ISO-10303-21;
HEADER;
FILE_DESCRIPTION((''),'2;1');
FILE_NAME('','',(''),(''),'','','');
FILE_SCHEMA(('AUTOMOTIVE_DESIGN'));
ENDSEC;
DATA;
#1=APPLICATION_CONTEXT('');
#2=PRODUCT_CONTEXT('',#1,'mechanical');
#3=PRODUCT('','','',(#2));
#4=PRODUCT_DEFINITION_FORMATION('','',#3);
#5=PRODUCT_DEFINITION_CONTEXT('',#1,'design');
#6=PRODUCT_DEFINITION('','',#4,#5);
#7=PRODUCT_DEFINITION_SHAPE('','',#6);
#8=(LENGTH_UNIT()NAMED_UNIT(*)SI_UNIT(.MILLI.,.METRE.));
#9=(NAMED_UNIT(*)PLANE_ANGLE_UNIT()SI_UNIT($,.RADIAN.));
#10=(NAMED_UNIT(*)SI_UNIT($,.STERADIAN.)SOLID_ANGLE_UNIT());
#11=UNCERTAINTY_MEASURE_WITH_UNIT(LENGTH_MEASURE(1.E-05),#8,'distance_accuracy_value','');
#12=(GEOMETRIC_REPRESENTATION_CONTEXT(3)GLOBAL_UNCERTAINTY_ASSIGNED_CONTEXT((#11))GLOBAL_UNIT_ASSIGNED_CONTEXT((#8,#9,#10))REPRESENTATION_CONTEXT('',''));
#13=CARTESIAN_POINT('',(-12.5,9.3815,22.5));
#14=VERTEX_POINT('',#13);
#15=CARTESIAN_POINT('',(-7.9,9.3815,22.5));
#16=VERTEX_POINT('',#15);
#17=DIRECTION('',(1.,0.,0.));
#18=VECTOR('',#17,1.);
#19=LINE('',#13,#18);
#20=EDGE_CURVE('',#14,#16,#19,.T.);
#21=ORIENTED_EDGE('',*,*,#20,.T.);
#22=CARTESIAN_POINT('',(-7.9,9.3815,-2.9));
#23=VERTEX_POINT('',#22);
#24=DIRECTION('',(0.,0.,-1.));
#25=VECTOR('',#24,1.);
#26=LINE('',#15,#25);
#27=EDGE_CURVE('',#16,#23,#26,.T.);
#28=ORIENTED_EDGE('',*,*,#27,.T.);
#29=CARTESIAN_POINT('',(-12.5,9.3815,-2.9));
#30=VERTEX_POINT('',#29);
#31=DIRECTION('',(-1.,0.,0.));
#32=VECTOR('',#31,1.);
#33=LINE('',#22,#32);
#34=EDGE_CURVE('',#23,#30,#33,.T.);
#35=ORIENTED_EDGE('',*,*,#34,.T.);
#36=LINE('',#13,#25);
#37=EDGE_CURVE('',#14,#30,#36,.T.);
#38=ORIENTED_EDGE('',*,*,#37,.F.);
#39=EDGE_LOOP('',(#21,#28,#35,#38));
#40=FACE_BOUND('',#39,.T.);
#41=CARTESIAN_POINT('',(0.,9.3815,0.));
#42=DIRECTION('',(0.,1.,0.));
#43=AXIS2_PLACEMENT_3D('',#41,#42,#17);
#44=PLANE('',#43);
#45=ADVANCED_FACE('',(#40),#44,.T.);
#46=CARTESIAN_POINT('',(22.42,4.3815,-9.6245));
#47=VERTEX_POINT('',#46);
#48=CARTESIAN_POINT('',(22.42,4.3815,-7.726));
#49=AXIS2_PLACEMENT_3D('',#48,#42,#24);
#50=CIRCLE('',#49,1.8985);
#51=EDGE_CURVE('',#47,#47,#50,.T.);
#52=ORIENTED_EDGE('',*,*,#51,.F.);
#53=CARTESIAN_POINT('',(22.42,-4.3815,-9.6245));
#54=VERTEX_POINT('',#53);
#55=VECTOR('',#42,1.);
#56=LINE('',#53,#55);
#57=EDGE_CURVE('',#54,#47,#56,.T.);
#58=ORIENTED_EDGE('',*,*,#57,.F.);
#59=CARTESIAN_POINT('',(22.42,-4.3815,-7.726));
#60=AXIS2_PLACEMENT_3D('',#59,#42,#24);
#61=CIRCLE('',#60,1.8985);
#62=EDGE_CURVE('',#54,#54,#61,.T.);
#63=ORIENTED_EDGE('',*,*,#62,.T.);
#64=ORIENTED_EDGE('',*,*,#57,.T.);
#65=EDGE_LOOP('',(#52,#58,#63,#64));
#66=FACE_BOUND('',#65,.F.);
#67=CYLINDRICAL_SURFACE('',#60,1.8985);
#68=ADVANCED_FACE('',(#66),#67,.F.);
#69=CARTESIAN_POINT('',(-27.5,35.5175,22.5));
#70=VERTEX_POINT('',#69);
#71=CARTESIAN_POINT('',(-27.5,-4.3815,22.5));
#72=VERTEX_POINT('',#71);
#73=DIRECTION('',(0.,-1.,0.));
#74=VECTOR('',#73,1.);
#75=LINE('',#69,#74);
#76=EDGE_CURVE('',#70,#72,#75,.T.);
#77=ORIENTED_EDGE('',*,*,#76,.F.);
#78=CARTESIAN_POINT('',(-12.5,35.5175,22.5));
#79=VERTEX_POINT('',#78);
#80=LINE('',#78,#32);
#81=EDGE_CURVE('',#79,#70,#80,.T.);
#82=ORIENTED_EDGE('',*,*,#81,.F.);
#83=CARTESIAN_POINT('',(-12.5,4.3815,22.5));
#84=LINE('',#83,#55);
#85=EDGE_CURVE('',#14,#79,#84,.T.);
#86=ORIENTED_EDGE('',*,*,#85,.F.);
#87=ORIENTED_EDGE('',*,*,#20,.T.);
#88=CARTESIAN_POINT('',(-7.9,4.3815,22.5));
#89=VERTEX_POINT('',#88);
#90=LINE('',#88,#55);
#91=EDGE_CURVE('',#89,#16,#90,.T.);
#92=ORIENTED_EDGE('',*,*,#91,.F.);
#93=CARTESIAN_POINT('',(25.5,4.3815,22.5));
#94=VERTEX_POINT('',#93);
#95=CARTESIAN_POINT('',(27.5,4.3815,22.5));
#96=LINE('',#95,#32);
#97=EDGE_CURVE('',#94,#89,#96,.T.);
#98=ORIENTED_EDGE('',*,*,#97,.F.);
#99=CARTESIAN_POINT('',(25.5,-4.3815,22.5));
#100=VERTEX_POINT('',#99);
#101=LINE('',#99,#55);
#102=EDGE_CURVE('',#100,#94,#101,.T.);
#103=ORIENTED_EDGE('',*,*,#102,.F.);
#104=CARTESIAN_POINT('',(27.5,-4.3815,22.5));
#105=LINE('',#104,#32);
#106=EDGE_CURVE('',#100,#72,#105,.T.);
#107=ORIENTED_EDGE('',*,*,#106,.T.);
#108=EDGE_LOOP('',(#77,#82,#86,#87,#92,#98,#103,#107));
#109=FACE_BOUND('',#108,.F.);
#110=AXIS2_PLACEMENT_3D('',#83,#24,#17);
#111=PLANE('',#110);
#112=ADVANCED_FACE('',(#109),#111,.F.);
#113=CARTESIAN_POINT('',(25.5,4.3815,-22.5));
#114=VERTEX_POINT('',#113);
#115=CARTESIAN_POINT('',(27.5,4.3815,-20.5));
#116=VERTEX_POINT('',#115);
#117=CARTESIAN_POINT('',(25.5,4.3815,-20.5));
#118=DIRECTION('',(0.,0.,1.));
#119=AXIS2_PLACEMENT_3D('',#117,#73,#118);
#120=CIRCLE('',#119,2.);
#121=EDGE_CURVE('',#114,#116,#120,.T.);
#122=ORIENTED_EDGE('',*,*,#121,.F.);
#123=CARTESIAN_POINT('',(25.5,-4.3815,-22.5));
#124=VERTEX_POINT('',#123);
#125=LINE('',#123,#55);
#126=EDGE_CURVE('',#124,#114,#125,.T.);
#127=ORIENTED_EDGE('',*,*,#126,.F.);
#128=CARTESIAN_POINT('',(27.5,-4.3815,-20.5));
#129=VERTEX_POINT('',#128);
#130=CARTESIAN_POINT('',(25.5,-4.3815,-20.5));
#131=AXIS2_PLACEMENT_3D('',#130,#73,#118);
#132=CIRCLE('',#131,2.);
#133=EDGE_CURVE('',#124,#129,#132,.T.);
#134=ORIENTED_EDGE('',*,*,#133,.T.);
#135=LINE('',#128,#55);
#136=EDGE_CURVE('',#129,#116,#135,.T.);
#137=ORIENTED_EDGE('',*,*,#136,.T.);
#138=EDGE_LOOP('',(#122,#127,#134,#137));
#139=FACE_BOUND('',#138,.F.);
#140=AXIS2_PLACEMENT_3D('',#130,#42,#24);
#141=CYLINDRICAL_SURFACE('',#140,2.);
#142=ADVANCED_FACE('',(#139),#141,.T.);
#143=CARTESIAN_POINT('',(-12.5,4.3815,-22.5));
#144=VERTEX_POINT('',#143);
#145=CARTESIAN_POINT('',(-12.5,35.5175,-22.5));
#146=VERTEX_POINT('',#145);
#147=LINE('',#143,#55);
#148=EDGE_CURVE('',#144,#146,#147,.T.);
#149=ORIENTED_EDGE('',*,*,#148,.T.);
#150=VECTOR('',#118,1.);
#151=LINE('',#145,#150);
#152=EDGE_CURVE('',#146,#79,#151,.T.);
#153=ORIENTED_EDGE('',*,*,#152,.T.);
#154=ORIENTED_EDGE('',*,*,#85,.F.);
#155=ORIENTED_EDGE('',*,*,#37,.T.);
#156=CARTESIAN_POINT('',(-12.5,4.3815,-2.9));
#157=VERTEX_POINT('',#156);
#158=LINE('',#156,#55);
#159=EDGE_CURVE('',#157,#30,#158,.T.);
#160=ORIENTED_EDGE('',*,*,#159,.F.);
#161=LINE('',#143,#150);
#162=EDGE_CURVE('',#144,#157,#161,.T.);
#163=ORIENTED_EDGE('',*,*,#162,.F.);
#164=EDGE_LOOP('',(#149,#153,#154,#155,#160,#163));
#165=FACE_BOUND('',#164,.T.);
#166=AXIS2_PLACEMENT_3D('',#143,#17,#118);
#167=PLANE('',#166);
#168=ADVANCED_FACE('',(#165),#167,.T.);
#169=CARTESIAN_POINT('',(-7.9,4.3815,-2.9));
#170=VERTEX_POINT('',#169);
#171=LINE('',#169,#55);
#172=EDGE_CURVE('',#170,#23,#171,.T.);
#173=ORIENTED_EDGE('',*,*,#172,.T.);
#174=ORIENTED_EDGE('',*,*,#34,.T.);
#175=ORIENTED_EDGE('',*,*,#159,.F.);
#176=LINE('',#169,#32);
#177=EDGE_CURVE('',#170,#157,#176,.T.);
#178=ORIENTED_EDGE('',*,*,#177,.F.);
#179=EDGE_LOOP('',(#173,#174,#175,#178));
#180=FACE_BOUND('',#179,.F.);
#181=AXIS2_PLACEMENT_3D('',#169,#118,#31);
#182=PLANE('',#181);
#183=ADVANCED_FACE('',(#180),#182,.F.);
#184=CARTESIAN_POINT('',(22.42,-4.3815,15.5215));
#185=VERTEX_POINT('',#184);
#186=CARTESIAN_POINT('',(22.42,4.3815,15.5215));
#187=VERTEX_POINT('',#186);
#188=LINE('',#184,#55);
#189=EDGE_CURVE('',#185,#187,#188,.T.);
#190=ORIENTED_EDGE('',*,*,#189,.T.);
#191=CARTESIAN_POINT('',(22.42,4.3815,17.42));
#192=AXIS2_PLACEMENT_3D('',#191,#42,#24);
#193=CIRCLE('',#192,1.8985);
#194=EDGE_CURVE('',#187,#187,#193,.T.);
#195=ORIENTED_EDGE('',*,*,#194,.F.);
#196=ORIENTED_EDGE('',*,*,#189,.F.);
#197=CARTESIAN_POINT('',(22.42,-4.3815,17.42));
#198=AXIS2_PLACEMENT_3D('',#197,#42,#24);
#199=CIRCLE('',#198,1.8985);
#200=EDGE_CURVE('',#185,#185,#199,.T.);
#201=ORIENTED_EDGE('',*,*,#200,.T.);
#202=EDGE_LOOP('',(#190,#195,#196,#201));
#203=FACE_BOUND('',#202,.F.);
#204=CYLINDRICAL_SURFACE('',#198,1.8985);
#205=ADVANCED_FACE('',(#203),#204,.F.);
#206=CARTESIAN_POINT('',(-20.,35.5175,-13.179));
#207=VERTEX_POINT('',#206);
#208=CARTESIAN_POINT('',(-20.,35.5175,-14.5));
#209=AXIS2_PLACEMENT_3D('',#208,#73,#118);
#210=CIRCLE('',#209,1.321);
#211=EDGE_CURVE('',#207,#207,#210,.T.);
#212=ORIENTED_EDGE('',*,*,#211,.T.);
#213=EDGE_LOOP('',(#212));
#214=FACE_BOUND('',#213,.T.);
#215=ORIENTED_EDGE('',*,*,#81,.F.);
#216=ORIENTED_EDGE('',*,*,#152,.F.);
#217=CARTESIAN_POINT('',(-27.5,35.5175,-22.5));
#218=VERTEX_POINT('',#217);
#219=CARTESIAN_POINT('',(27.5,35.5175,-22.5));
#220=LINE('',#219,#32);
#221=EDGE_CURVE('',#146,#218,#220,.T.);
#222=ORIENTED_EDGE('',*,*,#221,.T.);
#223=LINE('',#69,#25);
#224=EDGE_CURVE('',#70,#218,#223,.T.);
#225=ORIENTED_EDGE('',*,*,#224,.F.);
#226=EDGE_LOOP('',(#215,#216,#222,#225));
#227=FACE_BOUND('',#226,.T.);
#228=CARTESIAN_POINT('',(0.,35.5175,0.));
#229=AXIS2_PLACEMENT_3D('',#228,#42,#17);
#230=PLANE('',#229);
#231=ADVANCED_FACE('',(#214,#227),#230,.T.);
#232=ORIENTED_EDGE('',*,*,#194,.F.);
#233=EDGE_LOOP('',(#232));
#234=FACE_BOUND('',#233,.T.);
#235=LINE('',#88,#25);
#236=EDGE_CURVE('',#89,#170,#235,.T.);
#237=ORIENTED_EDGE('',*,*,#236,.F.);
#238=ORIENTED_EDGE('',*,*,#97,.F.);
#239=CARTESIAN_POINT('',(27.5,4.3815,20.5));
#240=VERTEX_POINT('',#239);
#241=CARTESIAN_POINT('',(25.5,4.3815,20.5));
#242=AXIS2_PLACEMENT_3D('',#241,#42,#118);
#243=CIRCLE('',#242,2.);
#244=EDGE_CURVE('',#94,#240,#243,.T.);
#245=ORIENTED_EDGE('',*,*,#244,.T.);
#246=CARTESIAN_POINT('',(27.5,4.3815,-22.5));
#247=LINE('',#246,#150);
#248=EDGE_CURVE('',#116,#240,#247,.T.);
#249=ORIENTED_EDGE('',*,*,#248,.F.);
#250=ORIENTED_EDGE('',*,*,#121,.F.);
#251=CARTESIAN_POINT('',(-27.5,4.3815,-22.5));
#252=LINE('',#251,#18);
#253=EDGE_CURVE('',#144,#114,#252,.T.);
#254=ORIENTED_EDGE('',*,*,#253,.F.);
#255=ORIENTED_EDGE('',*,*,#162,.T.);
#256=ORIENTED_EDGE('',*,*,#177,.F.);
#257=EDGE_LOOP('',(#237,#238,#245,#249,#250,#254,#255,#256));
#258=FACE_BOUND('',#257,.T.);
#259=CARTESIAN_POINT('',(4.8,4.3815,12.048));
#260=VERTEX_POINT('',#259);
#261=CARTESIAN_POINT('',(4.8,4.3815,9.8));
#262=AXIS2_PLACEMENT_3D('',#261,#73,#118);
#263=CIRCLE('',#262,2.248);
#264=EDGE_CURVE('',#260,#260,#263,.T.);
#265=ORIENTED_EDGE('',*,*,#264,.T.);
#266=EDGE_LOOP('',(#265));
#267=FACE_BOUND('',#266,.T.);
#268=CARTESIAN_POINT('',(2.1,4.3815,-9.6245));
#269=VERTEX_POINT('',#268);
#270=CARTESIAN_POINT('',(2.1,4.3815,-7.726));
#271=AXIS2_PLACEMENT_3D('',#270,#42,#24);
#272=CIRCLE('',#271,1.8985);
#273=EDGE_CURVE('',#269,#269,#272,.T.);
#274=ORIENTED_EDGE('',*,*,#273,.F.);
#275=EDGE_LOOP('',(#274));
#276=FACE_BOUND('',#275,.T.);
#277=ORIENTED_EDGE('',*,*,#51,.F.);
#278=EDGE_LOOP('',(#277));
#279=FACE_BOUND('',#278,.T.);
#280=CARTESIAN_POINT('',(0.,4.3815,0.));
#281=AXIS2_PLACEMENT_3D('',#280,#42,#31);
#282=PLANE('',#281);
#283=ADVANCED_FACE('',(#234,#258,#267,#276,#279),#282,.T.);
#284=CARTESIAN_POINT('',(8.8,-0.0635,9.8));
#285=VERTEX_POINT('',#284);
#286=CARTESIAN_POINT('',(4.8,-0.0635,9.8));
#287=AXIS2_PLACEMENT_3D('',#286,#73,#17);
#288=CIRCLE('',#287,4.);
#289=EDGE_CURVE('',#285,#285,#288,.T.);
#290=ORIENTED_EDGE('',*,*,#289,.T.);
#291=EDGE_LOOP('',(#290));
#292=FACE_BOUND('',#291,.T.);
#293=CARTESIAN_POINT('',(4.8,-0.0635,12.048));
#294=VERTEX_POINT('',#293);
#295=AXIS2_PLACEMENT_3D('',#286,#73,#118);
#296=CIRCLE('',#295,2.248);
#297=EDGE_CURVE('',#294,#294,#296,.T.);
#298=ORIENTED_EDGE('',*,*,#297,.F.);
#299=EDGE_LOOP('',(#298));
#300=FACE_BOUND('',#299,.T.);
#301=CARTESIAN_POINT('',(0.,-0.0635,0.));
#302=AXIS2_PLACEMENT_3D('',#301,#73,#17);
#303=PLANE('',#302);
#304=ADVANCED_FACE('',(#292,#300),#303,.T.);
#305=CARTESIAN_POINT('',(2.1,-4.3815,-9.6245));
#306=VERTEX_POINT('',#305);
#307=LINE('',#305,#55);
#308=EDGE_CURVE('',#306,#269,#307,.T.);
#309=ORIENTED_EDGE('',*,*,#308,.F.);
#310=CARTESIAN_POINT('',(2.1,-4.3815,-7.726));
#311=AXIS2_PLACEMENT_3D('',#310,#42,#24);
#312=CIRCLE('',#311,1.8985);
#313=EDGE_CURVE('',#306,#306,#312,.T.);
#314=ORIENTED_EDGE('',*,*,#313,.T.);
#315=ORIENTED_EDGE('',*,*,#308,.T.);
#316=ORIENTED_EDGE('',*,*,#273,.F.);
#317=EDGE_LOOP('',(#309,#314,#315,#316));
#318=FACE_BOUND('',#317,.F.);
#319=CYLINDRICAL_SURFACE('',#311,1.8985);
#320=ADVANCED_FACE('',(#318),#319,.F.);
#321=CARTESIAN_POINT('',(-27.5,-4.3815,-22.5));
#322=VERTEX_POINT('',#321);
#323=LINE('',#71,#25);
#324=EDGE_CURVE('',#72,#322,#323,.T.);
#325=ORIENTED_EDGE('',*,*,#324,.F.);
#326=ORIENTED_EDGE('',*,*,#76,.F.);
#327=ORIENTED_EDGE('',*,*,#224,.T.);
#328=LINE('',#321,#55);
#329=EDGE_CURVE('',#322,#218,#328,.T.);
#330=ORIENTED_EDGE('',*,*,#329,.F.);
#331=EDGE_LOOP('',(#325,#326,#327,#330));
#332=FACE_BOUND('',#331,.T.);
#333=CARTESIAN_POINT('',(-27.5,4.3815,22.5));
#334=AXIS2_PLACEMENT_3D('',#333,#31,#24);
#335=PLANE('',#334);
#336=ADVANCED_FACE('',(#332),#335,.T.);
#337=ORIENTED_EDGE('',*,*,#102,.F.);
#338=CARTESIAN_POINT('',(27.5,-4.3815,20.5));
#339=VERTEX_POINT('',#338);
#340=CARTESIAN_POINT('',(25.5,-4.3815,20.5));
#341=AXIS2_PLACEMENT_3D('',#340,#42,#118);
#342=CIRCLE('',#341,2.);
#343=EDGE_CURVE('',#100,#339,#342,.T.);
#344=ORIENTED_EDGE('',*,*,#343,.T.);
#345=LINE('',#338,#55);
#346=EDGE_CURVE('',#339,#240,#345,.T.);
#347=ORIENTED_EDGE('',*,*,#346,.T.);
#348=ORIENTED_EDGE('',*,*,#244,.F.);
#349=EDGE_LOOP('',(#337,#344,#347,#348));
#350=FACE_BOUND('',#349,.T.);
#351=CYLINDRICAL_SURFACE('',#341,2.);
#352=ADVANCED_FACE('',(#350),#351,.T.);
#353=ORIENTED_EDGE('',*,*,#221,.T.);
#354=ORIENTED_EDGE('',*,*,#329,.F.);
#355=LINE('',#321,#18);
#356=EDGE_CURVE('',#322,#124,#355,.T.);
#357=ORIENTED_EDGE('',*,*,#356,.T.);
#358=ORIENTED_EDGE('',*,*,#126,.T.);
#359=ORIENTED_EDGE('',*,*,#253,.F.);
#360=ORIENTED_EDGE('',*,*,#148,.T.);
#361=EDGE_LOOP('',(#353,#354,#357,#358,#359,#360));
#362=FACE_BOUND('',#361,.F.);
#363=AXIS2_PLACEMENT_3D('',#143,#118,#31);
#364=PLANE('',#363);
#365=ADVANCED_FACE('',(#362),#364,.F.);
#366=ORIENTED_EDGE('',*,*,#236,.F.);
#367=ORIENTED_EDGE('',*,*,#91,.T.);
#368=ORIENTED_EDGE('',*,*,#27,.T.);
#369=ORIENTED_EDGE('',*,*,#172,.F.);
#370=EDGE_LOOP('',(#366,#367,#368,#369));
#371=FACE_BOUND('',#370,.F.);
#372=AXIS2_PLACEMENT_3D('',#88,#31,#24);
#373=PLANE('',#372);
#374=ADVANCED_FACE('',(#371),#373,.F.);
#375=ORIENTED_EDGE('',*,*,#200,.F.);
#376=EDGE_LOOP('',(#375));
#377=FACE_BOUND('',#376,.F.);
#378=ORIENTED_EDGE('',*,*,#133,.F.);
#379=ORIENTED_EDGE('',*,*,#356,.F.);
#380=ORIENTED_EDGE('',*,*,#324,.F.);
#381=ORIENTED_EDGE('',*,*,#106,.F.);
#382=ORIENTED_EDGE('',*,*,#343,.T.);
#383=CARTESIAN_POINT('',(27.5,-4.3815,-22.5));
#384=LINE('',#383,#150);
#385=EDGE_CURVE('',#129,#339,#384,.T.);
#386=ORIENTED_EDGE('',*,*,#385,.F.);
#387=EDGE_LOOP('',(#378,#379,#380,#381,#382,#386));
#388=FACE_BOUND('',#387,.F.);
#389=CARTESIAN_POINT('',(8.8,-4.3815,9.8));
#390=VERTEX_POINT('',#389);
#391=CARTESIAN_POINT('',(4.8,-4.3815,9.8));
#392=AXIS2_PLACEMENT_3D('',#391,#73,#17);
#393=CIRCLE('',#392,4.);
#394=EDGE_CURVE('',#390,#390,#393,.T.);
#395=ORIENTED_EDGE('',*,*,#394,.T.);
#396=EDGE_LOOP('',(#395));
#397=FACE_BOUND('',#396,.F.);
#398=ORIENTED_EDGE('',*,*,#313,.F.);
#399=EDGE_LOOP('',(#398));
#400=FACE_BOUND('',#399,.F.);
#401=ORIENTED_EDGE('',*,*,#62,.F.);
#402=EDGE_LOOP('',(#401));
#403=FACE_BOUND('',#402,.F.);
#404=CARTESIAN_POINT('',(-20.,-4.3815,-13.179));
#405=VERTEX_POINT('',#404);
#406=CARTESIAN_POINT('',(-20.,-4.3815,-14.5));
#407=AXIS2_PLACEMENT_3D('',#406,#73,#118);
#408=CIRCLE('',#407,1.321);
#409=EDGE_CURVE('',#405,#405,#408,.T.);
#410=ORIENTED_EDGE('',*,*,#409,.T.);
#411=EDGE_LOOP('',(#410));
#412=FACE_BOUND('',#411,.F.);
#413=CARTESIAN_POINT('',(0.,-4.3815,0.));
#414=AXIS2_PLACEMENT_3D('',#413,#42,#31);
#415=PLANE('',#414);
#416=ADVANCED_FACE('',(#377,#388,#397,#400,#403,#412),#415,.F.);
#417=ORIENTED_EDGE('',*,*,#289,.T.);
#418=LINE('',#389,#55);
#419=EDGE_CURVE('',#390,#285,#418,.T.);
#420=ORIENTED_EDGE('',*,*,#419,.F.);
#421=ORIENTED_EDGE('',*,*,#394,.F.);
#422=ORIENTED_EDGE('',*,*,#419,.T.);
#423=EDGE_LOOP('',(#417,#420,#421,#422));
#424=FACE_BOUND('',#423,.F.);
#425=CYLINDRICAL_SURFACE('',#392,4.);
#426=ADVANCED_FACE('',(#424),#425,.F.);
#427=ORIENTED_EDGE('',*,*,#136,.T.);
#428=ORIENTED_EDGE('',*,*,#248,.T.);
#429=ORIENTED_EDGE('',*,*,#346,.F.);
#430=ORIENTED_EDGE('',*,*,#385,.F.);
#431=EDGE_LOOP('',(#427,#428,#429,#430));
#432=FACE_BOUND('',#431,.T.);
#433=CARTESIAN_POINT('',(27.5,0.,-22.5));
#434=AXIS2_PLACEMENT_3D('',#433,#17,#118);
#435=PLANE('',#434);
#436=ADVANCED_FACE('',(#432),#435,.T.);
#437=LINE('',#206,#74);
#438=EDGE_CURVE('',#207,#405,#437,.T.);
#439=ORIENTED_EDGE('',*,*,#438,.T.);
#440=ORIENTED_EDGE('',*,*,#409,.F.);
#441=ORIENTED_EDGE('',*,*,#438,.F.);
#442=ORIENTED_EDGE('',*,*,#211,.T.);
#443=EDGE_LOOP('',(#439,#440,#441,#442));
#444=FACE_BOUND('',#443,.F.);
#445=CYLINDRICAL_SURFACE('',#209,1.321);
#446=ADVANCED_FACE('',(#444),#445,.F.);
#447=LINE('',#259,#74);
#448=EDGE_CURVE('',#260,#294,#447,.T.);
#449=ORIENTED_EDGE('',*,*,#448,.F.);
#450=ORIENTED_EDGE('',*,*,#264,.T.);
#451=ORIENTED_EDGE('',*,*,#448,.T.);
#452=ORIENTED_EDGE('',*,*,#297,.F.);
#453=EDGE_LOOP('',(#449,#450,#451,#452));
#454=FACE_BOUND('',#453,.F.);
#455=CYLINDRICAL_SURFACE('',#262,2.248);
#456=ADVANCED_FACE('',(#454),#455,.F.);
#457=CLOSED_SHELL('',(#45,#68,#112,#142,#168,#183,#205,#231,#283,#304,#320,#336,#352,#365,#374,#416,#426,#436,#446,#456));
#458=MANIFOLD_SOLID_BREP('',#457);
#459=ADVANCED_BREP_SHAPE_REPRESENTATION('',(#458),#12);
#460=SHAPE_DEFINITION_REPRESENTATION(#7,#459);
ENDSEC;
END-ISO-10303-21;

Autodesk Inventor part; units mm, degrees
ref_plane "YZ Plane" through (0, 0, 0) normal (1, 0, 0) x (0, 1, 0)
ref_plane "XZ Plane" through (0, 0, 0) normal (0, 1, 0) x (-1, 0, 0)
ref_plane "XY Plane" through (0, 0, 0) normal (0, 0, 1) x (1, 0, 0)
sketch "Sketch1" plane through (0, 0, 0) normal (0, 1, 0) x (-1, 0, 0)
  line L0 (-27.5, 22.5) -> (27.5, 22.5)
  line L1 (27.5, 22.5) -> (27.5, -22.5)
  line L2 (27.5, -22.5) -> (-27.5, -22.5)
  line L3 (-27.5, -22.5) -> (-27.5, 22.5)
  line L4 (-27.5, 22.5) -> (27.5, -22.5) construction
  line L5 (27.5, 22.5) -> (-27.5, -22.5) construction
  point P0 (0, 0)
  dimension "d0" = 45
  dimension "d1" = 55
extrude "Extrusion1" add sketch "Sketch1" along normal mid plane 8.763
sketch "Sketch2" plane through (0, 4.3815, 0) normal (0, 1, 0) x (1, 0, 0)
  line L0 (-27.5, -22.5) -> (27.5, -22.5) projected
  line L1 (27.5, -22.5) -> (27.5, 22.5) projected
  point P0 (4.8, -9.8)
  dimension "d11" = 12.7
  dimension "d12" = 22.7
hole "Hole1" at (4.8, 4.3815, 9.8) direction (0, -1, 0) diameter 4.496 end through all clearance for "Flat Head Machine Screw (82)" size "#8" standard "Ansi Unified Screw Threads"
sketch "Sketch3" plane through (0, 4.3815, 0) normal (0, 1, 0) x (1, 0, 0)
  line L0 (27.5, 22.5) -> (-27.5, 22.5) projected
  line L1 (-27.5, 22.5) -> (-12.5, 22.5)
  line L2 (-12.5, 22.5) -> (-12.5, -22.5)
  line L3 (-12.5, -22.5) -> (-27.5, -22.5)
  line L4 (-27.5, -22.5) -> (-27.5, 22.5)
  line L5 (-27.5, -22.5) -> (27.5, -22.5) projected
  point P0 (0, 0)
  dimension "d13" = 15
extrude "Extrusion2" add sketch "Sketch3" along normal blind 31.136
sketch "Sketch9" plane through (0, -4.3815, 0) normal (0, -1, 0) x (1, 0, 0)
  circle A0 centre (4.8, 9.8) radius 2.248 projected
  circle A1 centre (4.8, 9.8) radius 4
  point P0 (0, 0)
  dimension "d40" = 8
extrude "Extrusion8" cut sketch "Sketch9" against normal blind 4.318
sketch "Sketch10" plane through (0, -4.3815, 0) normal (0, -1, 0) x (1, 0, 0)
  line L0 (27.5, -22.5) -> (27.5, 22.5) projected
  line L1 (-27.5, -22.5) -> (27.5, -22.5) projected
  line L2 (27.5, 22.5) -> (-27.5, 22.5) projected
  point P0 (0, 0)
  point P1 (22.42, -7.726)
  point P2 (22.42, 17.42)
  point P3 (2.1, -7.726)
  dimension "d43" = 5.08
  dimension "d45" = 20.32
  dimension "d46" = 25.146
  dimension "d65" = 5.08
hole "Hole2" at (22.42, -4.3815, -7.726) at (22.42, -4.3815, 17.42) at (2.1, -4.3815, -7.726) direction (0, 1, 0) diameter 3.797 end through all clearance for "Flat Head Machine Screw (82)" size "#6" standard "Ansi Unified Screw Threads"
fillet "Fillet1" radius 2 2 edges at (27.5, 0, 22.5) (27.5, 0, -22.5)
sketch "Sketch13" plane through (0, 35.5175, 0) normal (0, 1, 0) x (1, 0, 0)
  line L0 (-12.5, 22.5) -> (-27.5, 22.5) projected
  point P0 (0, 0)
  point P1 (-20, 14.5)
  point P2 (-20, 22.5)
  dimension "d74" = 8
hole "Hole4" at (-20, 35.5175, -14.5) direction (0, -1, 0) diameter 2.642 end through all thread size "6-32 UNC" class "2B" standard "ANSI Unified Screw Threads"
sketch "Sketch14" plane through (0, 4.3815, 0) normal (0, 1, 0) x (1, 0, 0)
  line L0 (-12.5, -22.5) -> (-12.5, 22.5) projected
  line L1 (-12.5, -22.5) -> (-7.9, -22.5)
  line L2 (-7.9, -22.5) -> (-7.9, 2.9)
  line L3 (-7.9, 2.9) -> (-12.5, 2.9)
  line L4 (-12.5, 2.9) -> (-12.5, -22.5)
  point P0 (0, 0)
  dimension "d89" = 25.4
  dimension "d90" = 4.6
extrude "Extrusion11" add sketch "Sketch14" along normal blind 5
equation "\"d65\" = d43"
properties part number "BaseMount"
